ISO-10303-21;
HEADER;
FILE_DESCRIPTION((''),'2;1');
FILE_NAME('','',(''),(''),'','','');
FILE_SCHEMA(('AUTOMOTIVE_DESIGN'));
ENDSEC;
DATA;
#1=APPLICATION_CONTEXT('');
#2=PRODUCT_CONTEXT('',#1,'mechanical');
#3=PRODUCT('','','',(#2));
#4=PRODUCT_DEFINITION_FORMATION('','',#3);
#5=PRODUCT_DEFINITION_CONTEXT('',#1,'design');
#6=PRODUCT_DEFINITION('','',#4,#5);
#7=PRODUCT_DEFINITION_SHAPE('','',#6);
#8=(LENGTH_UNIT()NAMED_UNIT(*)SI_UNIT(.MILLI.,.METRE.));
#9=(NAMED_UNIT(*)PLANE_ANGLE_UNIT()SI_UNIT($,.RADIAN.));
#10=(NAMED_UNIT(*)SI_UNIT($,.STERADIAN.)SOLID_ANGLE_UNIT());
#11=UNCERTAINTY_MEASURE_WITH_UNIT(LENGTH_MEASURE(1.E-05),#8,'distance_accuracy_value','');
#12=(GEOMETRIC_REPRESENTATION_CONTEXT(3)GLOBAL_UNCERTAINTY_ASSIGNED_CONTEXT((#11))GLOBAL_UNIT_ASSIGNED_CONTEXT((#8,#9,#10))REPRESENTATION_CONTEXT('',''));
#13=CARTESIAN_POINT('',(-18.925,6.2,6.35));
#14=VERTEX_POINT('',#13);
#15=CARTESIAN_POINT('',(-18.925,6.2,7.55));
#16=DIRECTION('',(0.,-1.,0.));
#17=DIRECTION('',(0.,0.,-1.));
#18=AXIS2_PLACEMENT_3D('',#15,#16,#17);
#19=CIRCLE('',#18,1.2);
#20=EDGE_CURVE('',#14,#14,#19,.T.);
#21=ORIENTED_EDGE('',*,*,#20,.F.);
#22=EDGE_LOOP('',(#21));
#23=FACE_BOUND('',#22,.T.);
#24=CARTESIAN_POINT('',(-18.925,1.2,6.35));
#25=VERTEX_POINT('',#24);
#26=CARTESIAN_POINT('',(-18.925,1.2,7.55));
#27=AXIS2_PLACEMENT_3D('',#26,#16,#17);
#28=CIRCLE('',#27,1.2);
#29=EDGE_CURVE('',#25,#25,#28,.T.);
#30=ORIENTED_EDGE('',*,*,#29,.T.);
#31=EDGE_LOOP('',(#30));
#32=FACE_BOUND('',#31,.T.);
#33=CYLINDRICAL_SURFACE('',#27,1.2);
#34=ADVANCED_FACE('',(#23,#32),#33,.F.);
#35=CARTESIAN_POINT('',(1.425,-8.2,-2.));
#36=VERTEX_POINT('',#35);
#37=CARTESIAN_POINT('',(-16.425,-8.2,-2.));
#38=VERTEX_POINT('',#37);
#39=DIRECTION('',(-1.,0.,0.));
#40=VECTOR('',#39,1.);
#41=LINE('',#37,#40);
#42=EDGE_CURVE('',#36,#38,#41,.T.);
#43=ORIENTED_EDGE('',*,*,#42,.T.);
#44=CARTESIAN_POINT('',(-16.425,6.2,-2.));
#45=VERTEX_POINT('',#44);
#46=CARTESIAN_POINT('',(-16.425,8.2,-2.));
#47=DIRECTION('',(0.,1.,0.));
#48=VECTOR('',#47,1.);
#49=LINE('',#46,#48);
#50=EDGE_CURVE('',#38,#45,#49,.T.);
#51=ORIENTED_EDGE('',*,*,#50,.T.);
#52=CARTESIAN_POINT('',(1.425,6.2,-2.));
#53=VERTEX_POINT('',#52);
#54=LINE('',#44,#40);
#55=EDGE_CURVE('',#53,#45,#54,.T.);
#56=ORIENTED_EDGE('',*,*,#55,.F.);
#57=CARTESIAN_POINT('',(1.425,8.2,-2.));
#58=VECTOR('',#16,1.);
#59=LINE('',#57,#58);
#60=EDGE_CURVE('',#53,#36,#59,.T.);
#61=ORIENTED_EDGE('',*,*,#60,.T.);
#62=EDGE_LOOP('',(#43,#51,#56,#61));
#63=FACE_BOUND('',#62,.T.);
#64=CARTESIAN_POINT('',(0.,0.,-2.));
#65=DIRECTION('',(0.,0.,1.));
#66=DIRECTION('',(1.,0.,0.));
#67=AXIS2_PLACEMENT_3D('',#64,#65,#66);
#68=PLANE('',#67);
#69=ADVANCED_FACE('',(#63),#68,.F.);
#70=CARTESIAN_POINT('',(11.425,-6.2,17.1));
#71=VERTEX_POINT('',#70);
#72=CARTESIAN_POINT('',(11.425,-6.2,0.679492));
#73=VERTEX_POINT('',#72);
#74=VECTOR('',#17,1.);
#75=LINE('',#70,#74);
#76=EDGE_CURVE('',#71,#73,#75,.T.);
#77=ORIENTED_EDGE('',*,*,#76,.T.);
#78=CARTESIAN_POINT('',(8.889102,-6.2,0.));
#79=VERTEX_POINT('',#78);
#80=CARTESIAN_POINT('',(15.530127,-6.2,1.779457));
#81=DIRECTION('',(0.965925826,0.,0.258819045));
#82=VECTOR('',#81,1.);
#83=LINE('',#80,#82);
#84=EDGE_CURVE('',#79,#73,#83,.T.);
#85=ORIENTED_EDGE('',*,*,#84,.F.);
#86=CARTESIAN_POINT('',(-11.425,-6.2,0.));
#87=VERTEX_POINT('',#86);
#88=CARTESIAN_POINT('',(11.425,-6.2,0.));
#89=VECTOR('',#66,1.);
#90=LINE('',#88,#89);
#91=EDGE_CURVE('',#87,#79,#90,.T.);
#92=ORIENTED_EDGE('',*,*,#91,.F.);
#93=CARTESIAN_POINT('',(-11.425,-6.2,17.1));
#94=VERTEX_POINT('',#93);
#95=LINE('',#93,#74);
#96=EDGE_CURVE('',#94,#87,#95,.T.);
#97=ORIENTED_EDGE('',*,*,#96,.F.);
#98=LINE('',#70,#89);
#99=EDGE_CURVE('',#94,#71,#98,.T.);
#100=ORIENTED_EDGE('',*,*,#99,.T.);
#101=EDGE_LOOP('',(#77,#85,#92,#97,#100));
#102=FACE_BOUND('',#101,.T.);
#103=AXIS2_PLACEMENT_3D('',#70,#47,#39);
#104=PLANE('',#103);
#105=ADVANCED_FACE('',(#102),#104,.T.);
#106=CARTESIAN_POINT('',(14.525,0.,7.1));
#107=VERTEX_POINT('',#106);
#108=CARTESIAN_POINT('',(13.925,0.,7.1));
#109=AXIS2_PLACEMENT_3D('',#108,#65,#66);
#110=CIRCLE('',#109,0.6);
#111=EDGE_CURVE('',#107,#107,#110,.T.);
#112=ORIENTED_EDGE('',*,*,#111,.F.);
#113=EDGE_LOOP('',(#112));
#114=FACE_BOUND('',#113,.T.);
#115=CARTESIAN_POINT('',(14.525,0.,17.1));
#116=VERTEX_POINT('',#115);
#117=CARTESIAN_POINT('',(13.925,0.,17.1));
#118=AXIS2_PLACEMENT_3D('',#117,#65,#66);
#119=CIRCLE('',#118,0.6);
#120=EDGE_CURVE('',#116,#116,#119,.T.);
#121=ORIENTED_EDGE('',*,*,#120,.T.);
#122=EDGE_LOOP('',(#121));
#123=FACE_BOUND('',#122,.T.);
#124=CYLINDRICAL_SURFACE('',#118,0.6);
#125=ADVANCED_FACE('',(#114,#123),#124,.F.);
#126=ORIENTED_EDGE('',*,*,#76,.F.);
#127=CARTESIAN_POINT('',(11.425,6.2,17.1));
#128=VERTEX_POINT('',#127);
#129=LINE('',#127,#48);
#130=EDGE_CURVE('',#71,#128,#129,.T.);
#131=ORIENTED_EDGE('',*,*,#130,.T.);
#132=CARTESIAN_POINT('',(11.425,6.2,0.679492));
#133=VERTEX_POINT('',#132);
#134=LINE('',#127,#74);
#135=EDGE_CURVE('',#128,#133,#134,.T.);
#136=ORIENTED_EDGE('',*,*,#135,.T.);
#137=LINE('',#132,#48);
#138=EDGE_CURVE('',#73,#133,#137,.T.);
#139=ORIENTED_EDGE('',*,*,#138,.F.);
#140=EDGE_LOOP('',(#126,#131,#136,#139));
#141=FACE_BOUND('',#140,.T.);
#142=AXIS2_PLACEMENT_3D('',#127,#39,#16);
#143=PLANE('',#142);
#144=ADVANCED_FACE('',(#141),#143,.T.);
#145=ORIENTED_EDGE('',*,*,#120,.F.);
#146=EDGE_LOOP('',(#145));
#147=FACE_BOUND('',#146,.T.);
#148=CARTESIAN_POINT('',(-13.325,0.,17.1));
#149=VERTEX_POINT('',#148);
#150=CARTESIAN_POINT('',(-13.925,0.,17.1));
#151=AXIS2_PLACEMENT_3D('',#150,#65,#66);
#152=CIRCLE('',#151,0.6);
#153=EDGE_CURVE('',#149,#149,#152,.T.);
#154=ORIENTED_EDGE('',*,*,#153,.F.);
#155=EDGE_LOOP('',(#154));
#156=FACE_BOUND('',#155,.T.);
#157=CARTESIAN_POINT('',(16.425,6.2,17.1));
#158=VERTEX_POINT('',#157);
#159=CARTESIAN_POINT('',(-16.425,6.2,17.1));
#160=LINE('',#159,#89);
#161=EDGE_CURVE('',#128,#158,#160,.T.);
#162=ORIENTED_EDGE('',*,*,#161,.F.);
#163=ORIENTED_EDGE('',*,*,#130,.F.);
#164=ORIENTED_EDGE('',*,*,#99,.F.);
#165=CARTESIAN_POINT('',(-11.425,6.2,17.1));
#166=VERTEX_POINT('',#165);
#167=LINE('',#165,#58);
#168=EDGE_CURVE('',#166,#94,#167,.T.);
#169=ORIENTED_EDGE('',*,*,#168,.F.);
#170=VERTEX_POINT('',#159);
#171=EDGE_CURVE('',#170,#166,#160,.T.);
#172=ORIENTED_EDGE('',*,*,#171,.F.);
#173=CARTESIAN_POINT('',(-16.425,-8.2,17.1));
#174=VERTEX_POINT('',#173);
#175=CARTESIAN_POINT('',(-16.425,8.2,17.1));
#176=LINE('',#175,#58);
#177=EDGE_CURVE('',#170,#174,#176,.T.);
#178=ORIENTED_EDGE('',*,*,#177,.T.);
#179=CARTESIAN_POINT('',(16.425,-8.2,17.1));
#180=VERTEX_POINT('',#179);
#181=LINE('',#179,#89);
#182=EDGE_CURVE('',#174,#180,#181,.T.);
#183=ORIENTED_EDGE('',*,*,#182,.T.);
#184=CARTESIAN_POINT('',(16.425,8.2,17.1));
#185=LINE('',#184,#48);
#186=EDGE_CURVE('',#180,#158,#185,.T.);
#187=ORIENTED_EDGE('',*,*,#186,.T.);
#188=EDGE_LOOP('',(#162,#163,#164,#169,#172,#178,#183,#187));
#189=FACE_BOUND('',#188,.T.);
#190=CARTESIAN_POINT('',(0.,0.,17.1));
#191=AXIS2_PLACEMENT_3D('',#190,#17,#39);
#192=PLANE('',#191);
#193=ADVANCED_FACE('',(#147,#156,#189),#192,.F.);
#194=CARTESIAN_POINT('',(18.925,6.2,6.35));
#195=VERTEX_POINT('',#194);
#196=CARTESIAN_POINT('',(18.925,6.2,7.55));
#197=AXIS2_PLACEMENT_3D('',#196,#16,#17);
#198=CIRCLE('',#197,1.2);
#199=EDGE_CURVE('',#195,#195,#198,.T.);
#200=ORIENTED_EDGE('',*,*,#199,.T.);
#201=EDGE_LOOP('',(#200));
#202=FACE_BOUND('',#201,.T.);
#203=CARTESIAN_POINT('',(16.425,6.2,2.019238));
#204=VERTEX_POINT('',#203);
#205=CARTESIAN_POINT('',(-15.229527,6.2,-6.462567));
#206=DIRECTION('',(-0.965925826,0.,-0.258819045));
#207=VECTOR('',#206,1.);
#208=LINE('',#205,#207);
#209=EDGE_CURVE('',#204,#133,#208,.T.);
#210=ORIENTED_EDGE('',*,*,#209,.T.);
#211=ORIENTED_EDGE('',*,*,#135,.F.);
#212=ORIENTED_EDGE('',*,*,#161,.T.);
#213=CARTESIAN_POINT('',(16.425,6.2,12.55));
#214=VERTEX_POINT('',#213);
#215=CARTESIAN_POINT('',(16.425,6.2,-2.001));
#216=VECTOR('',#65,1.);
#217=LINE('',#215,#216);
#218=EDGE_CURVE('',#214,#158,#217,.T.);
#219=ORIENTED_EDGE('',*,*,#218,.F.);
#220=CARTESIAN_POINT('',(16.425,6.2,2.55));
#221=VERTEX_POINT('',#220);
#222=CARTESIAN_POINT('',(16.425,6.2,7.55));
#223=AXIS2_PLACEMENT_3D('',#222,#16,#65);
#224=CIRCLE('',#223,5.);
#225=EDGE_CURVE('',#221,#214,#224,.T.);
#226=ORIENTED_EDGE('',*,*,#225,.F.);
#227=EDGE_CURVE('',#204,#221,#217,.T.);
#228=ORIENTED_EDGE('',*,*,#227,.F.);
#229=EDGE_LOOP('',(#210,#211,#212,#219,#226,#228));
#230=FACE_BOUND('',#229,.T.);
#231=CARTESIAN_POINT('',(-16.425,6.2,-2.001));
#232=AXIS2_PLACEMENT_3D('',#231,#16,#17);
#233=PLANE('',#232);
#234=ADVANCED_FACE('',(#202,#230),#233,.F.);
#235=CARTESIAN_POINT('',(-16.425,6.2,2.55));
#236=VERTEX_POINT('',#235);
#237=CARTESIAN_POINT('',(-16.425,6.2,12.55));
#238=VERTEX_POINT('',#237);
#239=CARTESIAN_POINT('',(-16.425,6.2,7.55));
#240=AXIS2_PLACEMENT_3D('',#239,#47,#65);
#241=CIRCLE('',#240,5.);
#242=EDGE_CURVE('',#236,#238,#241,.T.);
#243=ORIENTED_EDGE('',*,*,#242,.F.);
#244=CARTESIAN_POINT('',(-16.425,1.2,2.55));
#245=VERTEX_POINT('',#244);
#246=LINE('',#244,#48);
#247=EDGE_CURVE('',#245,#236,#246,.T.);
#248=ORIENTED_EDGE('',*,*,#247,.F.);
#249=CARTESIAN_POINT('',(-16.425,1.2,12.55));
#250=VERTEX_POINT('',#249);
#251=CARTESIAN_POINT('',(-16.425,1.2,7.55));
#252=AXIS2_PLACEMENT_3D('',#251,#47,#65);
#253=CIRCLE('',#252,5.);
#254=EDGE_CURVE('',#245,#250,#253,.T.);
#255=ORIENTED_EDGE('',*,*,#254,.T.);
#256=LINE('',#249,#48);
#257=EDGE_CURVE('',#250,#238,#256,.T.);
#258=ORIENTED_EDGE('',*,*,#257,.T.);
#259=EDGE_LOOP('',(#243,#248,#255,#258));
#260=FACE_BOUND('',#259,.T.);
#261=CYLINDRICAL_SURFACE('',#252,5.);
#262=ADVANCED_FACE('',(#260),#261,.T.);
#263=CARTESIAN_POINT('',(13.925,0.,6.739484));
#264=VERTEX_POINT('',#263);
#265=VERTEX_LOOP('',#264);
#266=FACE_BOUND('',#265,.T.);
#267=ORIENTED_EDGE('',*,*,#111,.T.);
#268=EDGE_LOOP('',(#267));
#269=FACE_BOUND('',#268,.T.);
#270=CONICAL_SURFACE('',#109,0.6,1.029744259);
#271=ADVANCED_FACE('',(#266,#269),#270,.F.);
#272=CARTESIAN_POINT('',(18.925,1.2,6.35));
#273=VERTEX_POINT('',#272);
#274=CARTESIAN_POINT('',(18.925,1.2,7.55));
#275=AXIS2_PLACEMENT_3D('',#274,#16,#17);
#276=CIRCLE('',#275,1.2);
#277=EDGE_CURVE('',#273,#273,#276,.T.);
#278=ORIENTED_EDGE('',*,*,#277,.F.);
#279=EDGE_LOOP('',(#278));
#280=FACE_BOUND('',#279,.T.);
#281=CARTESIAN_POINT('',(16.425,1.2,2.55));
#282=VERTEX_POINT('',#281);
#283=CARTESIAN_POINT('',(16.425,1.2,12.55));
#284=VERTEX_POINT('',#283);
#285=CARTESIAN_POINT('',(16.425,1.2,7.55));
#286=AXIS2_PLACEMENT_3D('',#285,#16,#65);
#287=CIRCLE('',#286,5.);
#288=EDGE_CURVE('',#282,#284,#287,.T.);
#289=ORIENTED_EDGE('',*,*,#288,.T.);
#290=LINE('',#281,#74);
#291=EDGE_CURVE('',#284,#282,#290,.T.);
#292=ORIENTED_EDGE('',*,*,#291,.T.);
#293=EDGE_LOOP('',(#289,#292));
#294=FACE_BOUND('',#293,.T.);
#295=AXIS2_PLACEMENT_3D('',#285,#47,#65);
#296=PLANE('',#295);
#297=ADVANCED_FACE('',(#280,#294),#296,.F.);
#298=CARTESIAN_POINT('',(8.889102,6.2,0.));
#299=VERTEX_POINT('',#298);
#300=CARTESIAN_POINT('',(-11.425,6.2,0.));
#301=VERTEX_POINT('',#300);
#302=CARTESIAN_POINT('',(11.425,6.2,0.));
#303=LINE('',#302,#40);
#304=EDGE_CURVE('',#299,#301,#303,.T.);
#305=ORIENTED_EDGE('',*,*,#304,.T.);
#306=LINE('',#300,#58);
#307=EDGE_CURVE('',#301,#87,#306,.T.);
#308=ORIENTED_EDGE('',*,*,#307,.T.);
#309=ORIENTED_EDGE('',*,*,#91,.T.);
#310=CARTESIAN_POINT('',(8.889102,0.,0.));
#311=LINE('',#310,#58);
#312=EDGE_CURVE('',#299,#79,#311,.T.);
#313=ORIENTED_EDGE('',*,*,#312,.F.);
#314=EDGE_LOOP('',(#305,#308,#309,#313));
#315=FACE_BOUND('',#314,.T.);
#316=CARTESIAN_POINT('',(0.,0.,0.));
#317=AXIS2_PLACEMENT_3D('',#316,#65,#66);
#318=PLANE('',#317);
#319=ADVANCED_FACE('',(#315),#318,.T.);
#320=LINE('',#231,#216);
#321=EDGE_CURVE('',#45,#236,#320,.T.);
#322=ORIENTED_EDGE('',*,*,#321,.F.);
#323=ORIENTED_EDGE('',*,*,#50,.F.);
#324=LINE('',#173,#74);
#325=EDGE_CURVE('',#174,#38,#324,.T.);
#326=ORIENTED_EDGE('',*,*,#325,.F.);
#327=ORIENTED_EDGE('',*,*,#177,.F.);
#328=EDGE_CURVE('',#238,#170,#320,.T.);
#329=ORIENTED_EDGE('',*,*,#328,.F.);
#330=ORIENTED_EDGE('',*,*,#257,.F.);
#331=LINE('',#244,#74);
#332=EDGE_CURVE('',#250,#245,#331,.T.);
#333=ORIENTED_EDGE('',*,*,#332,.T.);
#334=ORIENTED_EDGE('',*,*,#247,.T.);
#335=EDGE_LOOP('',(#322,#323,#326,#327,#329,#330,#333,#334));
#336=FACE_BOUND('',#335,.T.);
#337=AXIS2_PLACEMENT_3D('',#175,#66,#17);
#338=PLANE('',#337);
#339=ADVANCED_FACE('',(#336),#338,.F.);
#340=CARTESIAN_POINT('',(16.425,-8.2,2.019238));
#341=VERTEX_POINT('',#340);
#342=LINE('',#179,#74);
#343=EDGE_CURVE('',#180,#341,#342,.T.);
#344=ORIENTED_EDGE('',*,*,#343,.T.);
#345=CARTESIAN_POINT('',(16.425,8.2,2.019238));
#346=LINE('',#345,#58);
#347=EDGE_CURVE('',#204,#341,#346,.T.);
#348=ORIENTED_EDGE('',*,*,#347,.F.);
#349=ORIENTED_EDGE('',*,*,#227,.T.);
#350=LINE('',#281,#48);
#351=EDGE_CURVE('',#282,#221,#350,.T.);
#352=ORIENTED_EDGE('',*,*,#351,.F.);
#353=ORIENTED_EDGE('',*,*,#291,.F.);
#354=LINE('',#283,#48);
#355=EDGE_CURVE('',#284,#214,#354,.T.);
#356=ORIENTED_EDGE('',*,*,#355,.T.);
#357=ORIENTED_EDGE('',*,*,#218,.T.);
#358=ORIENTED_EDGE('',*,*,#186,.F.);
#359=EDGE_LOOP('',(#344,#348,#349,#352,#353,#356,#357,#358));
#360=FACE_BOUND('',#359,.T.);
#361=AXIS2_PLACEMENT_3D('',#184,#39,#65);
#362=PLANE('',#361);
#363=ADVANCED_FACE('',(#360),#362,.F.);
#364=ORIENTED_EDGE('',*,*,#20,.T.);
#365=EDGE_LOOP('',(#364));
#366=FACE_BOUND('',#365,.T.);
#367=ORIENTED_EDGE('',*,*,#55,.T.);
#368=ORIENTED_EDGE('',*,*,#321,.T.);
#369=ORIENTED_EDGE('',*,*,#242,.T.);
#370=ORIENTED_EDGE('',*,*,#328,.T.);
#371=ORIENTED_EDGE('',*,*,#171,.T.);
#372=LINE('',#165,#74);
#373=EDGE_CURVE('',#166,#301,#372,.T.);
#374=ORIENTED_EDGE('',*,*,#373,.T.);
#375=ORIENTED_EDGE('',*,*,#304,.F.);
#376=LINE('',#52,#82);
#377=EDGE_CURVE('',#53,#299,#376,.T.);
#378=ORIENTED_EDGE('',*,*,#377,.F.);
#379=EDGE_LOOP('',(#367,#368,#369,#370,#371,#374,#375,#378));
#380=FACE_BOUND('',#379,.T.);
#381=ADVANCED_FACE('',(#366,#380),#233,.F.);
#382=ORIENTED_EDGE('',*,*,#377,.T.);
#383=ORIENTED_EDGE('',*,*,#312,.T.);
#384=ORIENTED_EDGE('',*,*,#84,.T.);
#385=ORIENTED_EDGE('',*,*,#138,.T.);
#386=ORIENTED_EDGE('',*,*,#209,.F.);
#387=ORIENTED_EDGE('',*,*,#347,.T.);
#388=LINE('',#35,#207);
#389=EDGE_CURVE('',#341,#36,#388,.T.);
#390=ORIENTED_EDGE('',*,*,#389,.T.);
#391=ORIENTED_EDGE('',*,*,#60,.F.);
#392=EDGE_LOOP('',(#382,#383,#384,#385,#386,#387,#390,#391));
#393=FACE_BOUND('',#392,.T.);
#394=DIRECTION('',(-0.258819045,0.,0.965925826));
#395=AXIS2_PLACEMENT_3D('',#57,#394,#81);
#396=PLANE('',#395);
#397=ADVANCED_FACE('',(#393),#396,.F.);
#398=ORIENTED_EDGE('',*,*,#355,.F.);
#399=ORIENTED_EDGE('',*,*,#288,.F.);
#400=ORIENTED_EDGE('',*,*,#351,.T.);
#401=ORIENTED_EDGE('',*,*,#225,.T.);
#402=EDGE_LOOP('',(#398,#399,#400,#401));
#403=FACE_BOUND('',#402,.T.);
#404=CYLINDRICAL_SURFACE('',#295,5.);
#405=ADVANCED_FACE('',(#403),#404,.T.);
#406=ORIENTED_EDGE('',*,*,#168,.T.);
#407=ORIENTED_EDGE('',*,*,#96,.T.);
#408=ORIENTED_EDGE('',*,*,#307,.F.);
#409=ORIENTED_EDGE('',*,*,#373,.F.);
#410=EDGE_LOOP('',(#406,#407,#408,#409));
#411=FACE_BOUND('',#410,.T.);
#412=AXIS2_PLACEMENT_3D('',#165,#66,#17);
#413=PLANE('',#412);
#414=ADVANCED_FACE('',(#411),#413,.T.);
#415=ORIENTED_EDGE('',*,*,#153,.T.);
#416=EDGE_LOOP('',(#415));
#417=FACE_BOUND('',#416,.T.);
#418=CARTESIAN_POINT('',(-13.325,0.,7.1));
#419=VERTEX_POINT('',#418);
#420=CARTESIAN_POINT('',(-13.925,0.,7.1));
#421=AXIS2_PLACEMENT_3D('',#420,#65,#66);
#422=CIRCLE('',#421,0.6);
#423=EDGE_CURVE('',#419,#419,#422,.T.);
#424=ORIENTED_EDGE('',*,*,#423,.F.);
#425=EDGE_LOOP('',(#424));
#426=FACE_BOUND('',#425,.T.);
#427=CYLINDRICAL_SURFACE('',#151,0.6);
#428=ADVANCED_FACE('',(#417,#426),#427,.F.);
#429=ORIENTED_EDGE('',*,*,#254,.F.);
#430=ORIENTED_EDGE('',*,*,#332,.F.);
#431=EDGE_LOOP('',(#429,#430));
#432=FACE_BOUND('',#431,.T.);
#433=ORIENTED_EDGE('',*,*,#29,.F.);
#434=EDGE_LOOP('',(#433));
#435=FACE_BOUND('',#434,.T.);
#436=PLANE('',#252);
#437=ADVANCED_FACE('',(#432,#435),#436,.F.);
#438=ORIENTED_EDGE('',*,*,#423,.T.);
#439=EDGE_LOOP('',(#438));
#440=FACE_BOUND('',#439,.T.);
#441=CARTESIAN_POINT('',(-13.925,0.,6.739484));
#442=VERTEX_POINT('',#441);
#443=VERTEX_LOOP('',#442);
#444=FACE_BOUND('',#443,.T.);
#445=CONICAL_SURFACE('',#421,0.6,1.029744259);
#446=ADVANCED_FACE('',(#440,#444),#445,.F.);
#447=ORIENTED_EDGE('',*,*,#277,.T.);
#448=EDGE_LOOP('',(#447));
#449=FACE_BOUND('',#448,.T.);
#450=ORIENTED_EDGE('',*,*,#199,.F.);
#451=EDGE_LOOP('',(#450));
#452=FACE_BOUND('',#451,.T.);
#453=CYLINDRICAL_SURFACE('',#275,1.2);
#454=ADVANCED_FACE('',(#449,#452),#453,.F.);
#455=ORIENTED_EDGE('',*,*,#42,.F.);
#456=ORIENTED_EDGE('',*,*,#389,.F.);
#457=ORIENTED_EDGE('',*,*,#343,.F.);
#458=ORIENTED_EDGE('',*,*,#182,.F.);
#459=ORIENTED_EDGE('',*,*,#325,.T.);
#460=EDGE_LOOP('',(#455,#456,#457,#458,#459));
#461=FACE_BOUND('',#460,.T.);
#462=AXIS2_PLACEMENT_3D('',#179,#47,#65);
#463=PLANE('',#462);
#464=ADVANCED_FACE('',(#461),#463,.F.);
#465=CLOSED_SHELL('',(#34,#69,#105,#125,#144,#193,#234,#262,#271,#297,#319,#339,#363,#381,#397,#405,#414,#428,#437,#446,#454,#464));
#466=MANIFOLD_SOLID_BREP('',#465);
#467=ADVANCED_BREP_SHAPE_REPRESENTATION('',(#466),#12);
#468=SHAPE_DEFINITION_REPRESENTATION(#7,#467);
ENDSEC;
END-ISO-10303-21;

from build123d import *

# Parameters (mm, degrees)
SCHIZZO1_W                   = 32.85
SCHIZZO1_H                   = 16.4
SCHIZZO1_W_2                 = 22.85
SCHIZZO1_H_2                 = 12.4
ESTRUSIONE_ESTRUSIONE1_DEPTH = 17.1
SCHIZZO2_W                   = 32.85
SCHIZZO2_H                   = 16.4
ESTRUSIONE_ESTRUSIONE2_DEPTH = 2
TAGLIO_ESTRUSIONE1_DEPTH     = 29.829683054
TAGLIO_ESTRUSIONE2_REACH     = 28.492
SCHIZZO16_W                  = 32.85
SCHIZZO16_H                  = 2
ESTRUSIONE_ESTRUSIONE3_DEPTH = 5


with BuildPart() as part:
    # Schizzo1 → Estrusione-Estrusione1 (new body)
    with BuildSketch(Plane.XY):
        Rectangle(SCHIZZO1_W, SCHIZZO1_H)
        Rectangle(SCHIZZO1_W_2, SCHIZZO1_H_2, mode=Mode.SUBTRACT)
    extrude(amount=ESTRUSIONE_ESTRUSIONE1_DEPTH)

    # Schizzo2 → Estrusione-Estrusione2 (add)
    with BuildSketch(Plane(origin=(0, 0, 0), x_dir=(-1, 0, 0), z_dir=(0, 0, -1))):
        Rectangle(SCHIZZO2_W, SCHIZZO2_H)
    extrude(amount=ESTRUSIONE_ESTRUSIONE2_DEPTH)

    # Schizzo8 → Foro per Vite M1-1 (revolve, cut)
    with BuildSketch(Plane(origin=(-13.925, 0, 17.1), x_dir=(0, -1, 0), z_dir=(1, 0, 0))):
        Polygon((0, 0), (0, 10.360516371), (0.6, 10), (0.6, 0), align=None)
    foro_per_vite_m1_1 = revolve(axis=Axis((-13.925, 0, 23.45), (0, 0, -1)), mode=Mode.SUBTRACT)

    # Specchia1: Foro per Vite M1-1 across plane
    add(foro_per_vite_m1_1.mirror(Plane(origin=(0, 0, 0), x_dir=(0, 0, 1), z_dir=(1, 0, 0))), mode=Mode.SUBTRACT)

    # Schizzo15 → Taglio-Estrusione1 (cut, through all)
    with BuildSketch(Plane.XZ.offset(8.2)):
        Polygon((16.425, -2), (1.425, -2), (16.425, 2.019237886), align=None)
    extrude(amount=-TAGLIO_ESTRUSIONE1_DEPTH, mode=Mode.SUBTRACT)

    # Schizzo16 → Taglio-Estrusione2 (cut, up to next)
    with BuildSketch(Plane.XY.offset(17.1), mode=Mode.PRIVATE) as taglio_estrusione2_sk1:
        with Locations((0, 7.2)):
            Rectangle(SCHIZZO16_W, SCHIZZO16_H)
    taglio_estrusione2_tool1 = extrude(taglio_estrusione2_sk1.sketch, amount=-TAGLIO_ESTRUSIONE2_REACH, mode=Mode.PRIVATE) & part.part
    add(taglio_estrusione2_tool1.solids().sort_by_distance((0, 7.2, 17.1))[0], mode=Mode.SUBTRACT)

    # Schizzo17 → Estrusione-Estrusione3 (add)
    with BuildSketch(Plane(origin=(0, 6.2, 0), x_dir=(1, 0, 0), z_dir=(0, 1, 0))):
        with BuildLine():
            Line((-16.425, -2.55), (-16.425, -12.55))
            ThreePointArc((-16.425, -12.55), (-21.425, -7.55), (-16.425, -2.55))
        make_face()
    estrusione_estrusione3 = extrude(amount=-ESTRUSIONE_ESTRUSIONE3_DEPTH)

    # Schizzo20 → Foro per Vite M2-1 (revolve, cut)
    with BuildSketch(Plane(origin=(-18.925, 1.2, 7.55), x_dir=(0, 0, -1), z_dir=(1, 0, 0))):
        Polygon((0, 0), (0, 10.721032743), (1.2, 10), (1.2, 0), align=None)
    foro_per_vite_m2_1 = revolve(axis=Axis((-18.925, -5.15, 7.55), (0, 1, 0)), mode=Mode.SUBTRACT)

    # Specchia2: Estrusione-Estrusione3, Foro per Vite M2-1 across plane
    add(estrusione_estrusione3.mirror(Plane(origin=(0, 0, 0), x_dir=(0, 0, 1), z_dir=(1, 0, 0))))
    add(foro_per_vite_m2_1.mirror(Plane(origin=(0, 0, 0), x_dir=(0, 0, 1), z_dir=(1, 0, 0))), mode=Mode.SUBTRACT)


solid = part.part
